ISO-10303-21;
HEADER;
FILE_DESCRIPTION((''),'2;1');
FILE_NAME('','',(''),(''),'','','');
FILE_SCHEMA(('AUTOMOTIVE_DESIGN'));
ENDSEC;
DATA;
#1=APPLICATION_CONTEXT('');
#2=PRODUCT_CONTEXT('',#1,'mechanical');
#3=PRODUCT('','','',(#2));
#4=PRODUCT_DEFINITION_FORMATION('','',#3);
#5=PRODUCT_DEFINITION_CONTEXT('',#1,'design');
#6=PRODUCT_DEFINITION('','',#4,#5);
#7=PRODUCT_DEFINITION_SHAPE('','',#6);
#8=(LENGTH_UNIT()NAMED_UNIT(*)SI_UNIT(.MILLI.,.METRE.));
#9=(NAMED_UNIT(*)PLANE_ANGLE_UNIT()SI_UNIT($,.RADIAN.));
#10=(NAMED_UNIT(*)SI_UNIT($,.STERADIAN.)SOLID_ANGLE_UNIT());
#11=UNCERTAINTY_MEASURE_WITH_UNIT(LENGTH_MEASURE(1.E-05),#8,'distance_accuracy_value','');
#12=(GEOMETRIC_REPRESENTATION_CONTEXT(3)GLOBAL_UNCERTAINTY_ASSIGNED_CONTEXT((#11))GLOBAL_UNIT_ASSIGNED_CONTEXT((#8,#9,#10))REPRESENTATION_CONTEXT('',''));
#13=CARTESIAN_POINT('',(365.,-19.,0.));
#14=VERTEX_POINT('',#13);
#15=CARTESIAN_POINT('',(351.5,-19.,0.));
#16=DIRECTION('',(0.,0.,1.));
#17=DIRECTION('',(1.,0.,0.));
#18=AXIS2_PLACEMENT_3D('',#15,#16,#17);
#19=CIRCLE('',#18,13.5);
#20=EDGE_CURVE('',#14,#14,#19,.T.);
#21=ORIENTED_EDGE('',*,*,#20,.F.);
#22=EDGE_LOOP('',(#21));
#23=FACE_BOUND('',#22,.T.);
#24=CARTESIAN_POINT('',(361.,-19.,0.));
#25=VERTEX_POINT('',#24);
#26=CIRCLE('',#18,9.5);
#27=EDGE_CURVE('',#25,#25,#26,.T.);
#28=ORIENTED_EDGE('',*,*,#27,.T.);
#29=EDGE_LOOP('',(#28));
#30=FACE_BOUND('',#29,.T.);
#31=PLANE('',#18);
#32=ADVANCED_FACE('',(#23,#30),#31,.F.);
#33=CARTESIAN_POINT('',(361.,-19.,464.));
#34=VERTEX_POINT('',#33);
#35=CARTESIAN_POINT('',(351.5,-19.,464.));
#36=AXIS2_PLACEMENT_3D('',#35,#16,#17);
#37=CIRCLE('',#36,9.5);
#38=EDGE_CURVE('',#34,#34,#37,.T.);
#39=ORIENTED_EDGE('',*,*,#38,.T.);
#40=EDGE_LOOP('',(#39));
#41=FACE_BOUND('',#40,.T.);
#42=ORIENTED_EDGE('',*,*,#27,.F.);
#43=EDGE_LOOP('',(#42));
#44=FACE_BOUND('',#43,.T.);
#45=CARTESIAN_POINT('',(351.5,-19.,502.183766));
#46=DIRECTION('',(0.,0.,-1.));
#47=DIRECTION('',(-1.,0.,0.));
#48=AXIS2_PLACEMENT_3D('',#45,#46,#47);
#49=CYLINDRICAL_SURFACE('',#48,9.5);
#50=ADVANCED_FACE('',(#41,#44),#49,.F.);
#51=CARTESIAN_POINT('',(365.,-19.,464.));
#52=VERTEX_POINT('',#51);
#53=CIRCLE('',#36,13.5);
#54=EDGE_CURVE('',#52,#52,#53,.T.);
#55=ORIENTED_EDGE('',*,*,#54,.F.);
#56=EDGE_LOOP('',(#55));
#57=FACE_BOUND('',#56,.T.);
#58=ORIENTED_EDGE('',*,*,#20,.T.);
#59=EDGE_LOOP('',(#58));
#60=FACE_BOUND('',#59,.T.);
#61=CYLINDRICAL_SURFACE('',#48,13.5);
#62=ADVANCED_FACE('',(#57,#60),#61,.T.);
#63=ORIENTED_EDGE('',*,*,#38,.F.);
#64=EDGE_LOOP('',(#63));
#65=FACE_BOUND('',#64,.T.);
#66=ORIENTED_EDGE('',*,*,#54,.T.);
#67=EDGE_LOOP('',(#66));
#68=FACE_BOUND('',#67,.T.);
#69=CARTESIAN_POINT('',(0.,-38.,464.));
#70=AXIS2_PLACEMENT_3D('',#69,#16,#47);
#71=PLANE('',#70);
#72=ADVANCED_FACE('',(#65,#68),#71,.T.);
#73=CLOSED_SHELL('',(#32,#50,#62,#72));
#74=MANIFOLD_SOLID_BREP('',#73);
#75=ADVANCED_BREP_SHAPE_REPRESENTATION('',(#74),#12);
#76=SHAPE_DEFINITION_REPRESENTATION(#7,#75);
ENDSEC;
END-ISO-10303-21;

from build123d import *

# Parameters (mm, degrees)
SKETCH1_R           = 13.5
SKETCH1_R_2         = 9.5
BOSS_EXTRUDE1_DEPTH = 464


with BuildPart() as part:
    # Sketch1 → Boss-Extrude1 (new body)
    with BuildSketch(Plane.XY):
        with Locations((351.5, -19)):
            Circle(SKETCH1_R)
        with Locations((351.5, -19)):
            Circle(SKETCH1_R_2, mode=Mode.SUBTRACT)
    extrude(amount=BOSS_EXTRUDE1_DEPTH)


solid = part.part
